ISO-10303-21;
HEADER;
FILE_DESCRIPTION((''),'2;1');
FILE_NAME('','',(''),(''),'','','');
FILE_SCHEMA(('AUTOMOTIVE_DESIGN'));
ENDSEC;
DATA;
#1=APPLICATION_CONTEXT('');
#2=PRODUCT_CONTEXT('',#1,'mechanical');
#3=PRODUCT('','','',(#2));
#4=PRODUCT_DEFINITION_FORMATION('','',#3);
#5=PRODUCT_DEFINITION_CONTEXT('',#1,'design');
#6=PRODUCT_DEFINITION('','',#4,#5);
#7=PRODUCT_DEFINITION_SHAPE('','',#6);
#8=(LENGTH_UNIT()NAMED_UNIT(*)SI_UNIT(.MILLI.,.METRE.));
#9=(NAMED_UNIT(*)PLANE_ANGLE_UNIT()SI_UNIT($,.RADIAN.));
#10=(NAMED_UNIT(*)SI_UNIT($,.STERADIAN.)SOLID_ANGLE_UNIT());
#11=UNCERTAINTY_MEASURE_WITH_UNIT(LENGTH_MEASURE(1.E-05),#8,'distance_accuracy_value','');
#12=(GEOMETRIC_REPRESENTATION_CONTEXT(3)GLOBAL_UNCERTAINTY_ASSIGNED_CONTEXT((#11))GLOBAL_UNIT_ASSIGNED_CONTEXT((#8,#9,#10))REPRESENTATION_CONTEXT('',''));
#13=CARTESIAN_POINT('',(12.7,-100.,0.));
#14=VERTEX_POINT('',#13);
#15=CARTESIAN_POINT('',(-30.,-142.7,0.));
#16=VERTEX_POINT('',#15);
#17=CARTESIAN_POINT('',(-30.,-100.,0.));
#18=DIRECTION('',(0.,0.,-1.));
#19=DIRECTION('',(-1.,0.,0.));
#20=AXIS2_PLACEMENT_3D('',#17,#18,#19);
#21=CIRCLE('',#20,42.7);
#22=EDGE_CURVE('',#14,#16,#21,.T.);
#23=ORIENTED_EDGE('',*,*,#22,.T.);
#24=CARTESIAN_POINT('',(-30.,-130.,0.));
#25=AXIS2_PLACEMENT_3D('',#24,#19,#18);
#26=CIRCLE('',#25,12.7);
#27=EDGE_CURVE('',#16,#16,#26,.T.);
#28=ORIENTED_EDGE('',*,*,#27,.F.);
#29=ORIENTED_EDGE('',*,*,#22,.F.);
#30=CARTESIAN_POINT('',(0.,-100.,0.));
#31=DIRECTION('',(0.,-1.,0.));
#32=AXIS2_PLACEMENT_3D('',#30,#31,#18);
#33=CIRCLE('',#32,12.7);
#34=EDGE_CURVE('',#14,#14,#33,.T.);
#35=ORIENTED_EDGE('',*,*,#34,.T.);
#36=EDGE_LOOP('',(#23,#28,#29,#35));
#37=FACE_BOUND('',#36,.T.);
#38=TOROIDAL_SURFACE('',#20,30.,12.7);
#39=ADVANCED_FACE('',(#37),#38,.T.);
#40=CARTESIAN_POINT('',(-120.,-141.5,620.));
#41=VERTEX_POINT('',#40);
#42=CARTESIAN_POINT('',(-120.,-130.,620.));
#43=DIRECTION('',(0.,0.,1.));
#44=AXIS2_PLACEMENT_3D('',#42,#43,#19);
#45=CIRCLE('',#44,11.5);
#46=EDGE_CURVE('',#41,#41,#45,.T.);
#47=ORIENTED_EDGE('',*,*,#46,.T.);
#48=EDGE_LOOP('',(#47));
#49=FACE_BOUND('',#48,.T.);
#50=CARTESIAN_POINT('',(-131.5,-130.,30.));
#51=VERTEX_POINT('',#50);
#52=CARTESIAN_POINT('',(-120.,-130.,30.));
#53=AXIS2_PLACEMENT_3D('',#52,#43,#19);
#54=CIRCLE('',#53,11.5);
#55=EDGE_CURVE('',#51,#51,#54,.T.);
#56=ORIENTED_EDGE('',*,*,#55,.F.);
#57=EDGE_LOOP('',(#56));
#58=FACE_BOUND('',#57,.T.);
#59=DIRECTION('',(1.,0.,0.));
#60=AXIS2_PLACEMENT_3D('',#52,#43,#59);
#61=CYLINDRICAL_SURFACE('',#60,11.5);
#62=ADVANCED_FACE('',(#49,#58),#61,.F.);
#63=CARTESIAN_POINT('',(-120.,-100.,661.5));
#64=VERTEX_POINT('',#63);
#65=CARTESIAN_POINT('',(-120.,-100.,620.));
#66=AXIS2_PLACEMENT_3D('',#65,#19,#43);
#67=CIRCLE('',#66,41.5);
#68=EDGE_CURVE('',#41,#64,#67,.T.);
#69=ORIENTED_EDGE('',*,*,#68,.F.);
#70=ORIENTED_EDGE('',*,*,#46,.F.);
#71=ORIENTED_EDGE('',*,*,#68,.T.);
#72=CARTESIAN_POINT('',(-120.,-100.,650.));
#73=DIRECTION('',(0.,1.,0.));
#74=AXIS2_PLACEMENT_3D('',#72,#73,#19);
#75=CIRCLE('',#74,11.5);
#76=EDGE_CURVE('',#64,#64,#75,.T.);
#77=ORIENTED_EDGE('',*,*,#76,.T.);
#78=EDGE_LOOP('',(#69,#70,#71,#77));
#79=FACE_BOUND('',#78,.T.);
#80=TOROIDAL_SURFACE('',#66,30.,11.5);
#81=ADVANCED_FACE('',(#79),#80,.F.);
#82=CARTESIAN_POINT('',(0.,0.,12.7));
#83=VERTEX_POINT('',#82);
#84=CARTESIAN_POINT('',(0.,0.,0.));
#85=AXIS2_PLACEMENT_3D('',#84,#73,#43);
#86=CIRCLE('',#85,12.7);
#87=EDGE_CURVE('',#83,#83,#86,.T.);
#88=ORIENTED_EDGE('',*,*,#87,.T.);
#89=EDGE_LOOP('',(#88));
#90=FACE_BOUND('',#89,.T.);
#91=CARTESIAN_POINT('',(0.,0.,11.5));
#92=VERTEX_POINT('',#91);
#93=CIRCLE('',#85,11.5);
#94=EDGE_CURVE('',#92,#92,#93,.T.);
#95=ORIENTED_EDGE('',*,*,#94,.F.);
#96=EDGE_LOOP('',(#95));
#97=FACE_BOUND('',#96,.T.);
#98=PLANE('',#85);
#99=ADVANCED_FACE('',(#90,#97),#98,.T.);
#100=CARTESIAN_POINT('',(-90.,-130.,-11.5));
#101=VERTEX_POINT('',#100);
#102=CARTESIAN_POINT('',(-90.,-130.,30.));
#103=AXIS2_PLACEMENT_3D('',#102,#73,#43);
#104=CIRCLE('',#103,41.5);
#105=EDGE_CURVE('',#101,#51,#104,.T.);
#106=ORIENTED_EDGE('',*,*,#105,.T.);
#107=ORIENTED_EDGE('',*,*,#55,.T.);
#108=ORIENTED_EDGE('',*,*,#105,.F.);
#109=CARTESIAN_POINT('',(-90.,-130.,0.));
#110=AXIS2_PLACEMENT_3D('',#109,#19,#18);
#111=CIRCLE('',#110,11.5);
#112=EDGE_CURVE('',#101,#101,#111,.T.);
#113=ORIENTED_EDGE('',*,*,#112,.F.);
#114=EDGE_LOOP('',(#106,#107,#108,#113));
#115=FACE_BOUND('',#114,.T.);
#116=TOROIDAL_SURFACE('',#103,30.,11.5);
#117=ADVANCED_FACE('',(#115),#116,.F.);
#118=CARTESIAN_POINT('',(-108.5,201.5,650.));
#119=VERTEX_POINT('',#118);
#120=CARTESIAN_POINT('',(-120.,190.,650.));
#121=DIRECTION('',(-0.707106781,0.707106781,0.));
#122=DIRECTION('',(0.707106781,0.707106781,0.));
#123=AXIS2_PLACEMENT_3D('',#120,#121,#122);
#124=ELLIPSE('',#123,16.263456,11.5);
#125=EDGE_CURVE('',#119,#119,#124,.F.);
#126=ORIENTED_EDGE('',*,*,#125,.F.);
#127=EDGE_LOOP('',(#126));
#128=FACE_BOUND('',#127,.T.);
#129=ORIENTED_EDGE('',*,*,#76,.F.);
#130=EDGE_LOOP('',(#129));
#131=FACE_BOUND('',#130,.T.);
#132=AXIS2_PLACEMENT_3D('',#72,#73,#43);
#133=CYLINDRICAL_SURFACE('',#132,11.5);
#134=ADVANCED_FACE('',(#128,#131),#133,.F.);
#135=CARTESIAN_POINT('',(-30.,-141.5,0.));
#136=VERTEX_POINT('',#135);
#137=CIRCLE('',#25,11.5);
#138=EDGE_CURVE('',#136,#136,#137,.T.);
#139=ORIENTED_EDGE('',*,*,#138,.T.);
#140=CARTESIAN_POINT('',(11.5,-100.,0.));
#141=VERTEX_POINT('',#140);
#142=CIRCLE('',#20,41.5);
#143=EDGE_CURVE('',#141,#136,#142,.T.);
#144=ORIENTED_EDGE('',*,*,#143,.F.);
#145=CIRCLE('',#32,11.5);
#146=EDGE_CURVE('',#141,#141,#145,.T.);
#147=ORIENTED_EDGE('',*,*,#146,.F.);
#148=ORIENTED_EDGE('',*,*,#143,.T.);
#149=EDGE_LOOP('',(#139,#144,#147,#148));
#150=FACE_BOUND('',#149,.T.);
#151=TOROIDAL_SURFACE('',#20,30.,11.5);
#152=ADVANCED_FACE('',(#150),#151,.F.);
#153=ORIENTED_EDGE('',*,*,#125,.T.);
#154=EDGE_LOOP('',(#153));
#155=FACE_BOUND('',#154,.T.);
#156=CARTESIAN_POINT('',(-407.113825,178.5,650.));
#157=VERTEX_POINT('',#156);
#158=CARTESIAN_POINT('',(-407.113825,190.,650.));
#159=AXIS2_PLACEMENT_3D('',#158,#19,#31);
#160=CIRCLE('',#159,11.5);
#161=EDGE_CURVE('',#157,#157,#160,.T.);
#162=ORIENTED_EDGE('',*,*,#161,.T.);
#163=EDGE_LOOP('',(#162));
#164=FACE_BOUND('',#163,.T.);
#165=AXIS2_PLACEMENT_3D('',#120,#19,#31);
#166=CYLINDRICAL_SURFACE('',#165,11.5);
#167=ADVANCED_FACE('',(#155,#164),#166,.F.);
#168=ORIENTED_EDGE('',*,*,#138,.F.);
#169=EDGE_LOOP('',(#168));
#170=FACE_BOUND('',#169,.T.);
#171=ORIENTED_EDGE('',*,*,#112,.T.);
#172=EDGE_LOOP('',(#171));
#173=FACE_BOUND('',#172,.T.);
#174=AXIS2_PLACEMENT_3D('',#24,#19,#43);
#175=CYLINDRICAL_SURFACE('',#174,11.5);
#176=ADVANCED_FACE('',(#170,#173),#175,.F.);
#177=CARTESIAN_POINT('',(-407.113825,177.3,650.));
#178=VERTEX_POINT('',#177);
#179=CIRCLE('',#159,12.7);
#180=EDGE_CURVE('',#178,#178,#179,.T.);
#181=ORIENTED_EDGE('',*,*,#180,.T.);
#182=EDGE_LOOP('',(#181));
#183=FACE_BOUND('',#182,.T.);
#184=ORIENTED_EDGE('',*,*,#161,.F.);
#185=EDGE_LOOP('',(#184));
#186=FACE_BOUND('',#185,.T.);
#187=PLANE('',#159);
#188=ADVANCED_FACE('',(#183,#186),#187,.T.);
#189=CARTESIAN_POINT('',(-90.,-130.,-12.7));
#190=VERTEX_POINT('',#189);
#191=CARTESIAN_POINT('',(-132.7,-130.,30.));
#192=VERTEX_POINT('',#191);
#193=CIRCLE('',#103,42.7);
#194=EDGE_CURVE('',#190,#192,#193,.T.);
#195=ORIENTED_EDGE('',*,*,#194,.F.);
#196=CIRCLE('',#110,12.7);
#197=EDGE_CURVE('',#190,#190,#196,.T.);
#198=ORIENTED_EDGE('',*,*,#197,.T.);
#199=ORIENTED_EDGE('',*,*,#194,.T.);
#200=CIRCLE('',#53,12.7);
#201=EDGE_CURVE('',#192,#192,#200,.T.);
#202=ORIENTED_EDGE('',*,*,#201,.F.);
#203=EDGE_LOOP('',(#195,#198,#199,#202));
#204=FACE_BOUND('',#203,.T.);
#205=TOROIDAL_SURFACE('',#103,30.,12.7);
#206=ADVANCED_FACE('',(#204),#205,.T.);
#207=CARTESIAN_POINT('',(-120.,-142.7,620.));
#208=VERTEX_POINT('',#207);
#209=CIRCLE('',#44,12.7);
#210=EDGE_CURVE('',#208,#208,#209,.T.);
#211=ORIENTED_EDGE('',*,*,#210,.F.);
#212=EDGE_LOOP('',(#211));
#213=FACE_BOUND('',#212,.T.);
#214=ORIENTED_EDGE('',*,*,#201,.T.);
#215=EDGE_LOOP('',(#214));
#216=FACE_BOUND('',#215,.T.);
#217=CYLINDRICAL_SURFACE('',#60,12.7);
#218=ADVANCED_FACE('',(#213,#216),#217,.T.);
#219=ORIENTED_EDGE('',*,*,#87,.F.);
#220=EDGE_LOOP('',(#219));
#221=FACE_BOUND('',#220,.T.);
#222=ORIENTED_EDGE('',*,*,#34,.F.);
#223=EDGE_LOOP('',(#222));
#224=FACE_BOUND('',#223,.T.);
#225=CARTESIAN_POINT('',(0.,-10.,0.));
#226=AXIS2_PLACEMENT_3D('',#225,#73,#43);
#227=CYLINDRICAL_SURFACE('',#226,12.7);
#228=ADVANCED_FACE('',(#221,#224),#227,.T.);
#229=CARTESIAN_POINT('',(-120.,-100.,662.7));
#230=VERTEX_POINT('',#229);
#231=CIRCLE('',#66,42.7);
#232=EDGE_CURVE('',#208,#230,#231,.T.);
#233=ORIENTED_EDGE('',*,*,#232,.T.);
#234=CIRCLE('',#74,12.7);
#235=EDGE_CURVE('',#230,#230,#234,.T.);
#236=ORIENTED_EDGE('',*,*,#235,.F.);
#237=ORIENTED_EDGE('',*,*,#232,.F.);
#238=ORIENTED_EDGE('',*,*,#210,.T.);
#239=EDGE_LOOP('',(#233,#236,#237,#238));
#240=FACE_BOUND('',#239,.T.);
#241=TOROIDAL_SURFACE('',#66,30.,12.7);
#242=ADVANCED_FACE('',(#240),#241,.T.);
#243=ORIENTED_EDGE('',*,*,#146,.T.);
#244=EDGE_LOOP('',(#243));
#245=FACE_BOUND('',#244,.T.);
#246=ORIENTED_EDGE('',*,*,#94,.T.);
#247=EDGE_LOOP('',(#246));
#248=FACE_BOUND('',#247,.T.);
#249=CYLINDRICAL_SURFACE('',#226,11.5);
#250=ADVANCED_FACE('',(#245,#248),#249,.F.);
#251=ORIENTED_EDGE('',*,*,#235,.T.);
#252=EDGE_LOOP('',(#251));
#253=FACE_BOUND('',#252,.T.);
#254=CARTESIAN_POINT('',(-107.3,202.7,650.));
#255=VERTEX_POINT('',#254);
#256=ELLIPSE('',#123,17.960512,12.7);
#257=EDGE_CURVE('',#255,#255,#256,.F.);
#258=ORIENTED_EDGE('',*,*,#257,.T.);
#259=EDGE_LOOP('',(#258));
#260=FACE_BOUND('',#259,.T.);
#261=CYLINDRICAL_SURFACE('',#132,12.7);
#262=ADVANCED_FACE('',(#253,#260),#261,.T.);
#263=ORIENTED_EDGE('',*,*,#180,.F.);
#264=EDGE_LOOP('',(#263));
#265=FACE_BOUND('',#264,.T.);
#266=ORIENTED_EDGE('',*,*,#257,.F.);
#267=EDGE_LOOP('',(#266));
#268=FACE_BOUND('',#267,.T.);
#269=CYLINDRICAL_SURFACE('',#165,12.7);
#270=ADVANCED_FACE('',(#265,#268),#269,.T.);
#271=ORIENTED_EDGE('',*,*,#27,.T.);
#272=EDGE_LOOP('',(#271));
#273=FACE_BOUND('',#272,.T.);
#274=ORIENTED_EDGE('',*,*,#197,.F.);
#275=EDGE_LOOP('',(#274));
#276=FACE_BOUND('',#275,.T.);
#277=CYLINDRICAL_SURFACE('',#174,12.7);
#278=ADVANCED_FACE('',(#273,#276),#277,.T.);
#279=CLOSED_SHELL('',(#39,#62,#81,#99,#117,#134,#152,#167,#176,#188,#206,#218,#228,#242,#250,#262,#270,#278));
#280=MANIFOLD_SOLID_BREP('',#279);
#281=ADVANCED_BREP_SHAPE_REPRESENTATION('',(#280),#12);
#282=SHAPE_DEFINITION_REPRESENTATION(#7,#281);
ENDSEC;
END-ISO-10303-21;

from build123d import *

# Parameters (mm, degrees)
CROQUIS1_R              = 12.7
CROQUIS1_R_2            = 11.5
SALIENTE_EXTRUIR1_DEPTH = 10
CROQUIS2_R              = 12.7
CROQUIS2_R_2            = 11.5


with BuildPart() as part:
    # Croquis1 → Saliente-Extruir1 (new body)
    with BuildSketch(Plane(origin=(0, 0, 0), x_dir=(1, 0, 0), z_dir=(0, 1, 0))):
        with Locations(Location((0, 0, 0), (0, 0, 270))):
            Circle(CROQUIS1_R)
        with Locations(Location((0, 0, 0), (0, 0, 270))):
            Circle(CROQUIS1_R_2, mode=Mode.SUBTRACT)
    extrude(amount=-SALIENTE_EXTRUIR1_DEPTH)

    # Barrer1: sweep along a curve in space
    with BuildLine() as barrer1_path:
        Line((0, -10, 0), (0, -100, 0))
        ThreePointArc((0, -100, 0), (-8.786796564, -121.213203436, 0), (-30, -130, 0))
        Line((-30, -130, 0), (-90, -130, 0))
        ThreePointArc((-90, -130, 0), (-111.213203436, -130, 8.786796564), (-120, -130, 30))
        Line((-120, -130, 30), (-120, -130, 620))
        ThreePointArc((-120, -130, 620), (-120, -121.213203436, 641.213203436), (-120, -100, 650))
        Line((-120, -100, 650), (-120, 190, 650))
        Line((-120, 190, 650), (-407.11382464, 190, 650))
    # Croquis2 → Barrer1 (sweep)
    with BuildSketch(Plane.XZ.offset(10)):
        Circle(CROQUIS2_R)
        Circle(CROQUIS2_R_2, mode=Mode.SUBTRACT)
    sweep(path=barrer1_path.line, transition=Transition.RIGHT)


solid = part.part
